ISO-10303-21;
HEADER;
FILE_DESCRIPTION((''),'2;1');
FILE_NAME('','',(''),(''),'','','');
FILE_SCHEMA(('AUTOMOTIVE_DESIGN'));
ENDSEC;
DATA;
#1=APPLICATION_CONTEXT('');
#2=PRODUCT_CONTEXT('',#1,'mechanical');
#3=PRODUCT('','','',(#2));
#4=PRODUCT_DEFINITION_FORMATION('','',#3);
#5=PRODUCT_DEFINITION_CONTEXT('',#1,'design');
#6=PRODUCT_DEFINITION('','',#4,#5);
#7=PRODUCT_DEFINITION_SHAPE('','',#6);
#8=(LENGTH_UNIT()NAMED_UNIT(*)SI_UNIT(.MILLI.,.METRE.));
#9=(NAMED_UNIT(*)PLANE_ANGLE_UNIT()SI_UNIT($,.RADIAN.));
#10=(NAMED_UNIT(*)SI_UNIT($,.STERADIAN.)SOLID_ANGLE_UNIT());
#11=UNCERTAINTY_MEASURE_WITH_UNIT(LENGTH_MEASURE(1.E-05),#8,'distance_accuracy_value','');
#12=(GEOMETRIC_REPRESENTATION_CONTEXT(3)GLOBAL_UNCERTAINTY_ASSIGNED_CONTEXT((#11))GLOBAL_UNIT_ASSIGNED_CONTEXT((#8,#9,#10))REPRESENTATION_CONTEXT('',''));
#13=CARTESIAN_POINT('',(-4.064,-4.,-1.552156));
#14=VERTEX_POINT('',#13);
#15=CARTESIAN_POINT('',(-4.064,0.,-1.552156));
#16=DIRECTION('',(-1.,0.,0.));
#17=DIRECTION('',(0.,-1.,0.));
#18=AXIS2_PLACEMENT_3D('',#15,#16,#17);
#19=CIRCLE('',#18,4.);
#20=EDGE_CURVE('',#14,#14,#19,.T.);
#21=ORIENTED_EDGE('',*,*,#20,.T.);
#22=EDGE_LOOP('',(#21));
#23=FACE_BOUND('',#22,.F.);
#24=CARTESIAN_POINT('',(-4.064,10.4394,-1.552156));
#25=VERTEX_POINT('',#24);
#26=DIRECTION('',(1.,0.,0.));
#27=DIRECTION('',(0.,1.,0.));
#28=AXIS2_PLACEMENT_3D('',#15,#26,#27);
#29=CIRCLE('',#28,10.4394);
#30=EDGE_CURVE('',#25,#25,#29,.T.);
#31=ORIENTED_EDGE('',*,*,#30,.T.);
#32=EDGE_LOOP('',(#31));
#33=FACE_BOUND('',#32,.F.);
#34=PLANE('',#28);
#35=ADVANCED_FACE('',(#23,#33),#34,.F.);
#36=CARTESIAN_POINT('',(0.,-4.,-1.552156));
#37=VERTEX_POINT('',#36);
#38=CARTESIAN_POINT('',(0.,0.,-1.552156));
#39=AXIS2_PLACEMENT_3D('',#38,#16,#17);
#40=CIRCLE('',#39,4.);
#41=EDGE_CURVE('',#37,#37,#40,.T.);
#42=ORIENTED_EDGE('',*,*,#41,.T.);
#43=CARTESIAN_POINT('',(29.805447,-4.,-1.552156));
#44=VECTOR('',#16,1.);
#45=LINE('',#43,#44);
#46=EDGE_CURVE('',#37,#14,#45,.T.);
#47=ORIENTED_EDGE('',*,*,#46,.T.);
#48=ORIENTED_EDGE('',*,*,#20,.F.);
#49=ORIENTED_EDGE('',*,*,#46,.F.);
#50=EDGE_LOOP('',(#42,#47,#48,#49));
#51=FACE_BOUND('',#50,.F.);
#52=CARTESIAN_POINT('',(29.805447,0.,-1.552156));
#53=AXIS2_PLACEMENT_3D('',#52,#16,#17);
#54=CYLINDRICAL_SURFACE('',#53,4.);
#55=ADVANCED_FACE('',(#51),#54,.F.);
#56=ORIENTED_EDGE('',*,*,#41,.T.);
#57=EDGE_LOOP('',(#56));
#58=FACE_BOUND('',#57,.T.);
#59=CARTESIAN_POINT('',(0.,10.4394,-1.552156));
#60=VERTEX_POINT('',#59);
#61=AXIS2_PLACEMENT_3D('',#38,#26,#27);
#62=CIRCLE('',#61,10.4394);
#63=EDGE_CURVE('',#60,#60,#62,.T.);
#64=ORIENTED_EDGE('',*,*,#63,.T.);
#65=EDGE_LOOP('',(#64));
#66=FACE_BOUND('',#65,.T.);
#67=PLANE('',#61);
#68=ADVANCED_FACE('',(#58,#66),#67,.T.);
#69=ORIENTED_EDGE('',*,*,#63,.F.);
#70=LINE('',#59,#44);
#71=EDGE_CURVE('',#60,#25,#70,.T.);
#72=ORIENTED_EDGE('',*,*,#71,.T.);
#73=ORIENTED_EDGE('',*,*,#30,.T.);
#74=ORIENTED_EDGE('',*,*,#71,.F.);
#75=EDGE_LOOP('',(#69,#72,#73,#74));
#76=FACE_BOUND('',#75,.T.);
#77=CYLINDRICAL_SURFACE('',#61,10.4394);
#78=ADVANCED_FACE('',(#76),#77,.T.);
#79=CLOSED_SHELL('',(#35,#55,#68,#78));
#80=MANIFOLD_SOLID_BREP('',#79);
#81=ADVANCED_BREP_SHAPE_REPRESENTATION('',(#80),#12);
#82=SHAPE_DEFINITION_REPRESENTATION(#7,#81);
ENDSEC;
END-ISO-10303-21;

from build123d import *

# Parameters (mm, degrees)
F0_R     = 10.4394
F1_DEPTH = 4.064
F3_D     = 8


with BuildPart() as f1:
    # F0 (on Right) → F1 (new body)
    with BuildSketch(Plane.YZ):
        with Locations((0, -1.552156)):
            Circle(F0_R)
    extrude(amount=-F1_DEPTH)

    # F3 (through all)
    with Locations(Plane.YZ):
        with Locations((0, -1.552156)):
            Hole(F3_D / 2)


solid = f1.part
